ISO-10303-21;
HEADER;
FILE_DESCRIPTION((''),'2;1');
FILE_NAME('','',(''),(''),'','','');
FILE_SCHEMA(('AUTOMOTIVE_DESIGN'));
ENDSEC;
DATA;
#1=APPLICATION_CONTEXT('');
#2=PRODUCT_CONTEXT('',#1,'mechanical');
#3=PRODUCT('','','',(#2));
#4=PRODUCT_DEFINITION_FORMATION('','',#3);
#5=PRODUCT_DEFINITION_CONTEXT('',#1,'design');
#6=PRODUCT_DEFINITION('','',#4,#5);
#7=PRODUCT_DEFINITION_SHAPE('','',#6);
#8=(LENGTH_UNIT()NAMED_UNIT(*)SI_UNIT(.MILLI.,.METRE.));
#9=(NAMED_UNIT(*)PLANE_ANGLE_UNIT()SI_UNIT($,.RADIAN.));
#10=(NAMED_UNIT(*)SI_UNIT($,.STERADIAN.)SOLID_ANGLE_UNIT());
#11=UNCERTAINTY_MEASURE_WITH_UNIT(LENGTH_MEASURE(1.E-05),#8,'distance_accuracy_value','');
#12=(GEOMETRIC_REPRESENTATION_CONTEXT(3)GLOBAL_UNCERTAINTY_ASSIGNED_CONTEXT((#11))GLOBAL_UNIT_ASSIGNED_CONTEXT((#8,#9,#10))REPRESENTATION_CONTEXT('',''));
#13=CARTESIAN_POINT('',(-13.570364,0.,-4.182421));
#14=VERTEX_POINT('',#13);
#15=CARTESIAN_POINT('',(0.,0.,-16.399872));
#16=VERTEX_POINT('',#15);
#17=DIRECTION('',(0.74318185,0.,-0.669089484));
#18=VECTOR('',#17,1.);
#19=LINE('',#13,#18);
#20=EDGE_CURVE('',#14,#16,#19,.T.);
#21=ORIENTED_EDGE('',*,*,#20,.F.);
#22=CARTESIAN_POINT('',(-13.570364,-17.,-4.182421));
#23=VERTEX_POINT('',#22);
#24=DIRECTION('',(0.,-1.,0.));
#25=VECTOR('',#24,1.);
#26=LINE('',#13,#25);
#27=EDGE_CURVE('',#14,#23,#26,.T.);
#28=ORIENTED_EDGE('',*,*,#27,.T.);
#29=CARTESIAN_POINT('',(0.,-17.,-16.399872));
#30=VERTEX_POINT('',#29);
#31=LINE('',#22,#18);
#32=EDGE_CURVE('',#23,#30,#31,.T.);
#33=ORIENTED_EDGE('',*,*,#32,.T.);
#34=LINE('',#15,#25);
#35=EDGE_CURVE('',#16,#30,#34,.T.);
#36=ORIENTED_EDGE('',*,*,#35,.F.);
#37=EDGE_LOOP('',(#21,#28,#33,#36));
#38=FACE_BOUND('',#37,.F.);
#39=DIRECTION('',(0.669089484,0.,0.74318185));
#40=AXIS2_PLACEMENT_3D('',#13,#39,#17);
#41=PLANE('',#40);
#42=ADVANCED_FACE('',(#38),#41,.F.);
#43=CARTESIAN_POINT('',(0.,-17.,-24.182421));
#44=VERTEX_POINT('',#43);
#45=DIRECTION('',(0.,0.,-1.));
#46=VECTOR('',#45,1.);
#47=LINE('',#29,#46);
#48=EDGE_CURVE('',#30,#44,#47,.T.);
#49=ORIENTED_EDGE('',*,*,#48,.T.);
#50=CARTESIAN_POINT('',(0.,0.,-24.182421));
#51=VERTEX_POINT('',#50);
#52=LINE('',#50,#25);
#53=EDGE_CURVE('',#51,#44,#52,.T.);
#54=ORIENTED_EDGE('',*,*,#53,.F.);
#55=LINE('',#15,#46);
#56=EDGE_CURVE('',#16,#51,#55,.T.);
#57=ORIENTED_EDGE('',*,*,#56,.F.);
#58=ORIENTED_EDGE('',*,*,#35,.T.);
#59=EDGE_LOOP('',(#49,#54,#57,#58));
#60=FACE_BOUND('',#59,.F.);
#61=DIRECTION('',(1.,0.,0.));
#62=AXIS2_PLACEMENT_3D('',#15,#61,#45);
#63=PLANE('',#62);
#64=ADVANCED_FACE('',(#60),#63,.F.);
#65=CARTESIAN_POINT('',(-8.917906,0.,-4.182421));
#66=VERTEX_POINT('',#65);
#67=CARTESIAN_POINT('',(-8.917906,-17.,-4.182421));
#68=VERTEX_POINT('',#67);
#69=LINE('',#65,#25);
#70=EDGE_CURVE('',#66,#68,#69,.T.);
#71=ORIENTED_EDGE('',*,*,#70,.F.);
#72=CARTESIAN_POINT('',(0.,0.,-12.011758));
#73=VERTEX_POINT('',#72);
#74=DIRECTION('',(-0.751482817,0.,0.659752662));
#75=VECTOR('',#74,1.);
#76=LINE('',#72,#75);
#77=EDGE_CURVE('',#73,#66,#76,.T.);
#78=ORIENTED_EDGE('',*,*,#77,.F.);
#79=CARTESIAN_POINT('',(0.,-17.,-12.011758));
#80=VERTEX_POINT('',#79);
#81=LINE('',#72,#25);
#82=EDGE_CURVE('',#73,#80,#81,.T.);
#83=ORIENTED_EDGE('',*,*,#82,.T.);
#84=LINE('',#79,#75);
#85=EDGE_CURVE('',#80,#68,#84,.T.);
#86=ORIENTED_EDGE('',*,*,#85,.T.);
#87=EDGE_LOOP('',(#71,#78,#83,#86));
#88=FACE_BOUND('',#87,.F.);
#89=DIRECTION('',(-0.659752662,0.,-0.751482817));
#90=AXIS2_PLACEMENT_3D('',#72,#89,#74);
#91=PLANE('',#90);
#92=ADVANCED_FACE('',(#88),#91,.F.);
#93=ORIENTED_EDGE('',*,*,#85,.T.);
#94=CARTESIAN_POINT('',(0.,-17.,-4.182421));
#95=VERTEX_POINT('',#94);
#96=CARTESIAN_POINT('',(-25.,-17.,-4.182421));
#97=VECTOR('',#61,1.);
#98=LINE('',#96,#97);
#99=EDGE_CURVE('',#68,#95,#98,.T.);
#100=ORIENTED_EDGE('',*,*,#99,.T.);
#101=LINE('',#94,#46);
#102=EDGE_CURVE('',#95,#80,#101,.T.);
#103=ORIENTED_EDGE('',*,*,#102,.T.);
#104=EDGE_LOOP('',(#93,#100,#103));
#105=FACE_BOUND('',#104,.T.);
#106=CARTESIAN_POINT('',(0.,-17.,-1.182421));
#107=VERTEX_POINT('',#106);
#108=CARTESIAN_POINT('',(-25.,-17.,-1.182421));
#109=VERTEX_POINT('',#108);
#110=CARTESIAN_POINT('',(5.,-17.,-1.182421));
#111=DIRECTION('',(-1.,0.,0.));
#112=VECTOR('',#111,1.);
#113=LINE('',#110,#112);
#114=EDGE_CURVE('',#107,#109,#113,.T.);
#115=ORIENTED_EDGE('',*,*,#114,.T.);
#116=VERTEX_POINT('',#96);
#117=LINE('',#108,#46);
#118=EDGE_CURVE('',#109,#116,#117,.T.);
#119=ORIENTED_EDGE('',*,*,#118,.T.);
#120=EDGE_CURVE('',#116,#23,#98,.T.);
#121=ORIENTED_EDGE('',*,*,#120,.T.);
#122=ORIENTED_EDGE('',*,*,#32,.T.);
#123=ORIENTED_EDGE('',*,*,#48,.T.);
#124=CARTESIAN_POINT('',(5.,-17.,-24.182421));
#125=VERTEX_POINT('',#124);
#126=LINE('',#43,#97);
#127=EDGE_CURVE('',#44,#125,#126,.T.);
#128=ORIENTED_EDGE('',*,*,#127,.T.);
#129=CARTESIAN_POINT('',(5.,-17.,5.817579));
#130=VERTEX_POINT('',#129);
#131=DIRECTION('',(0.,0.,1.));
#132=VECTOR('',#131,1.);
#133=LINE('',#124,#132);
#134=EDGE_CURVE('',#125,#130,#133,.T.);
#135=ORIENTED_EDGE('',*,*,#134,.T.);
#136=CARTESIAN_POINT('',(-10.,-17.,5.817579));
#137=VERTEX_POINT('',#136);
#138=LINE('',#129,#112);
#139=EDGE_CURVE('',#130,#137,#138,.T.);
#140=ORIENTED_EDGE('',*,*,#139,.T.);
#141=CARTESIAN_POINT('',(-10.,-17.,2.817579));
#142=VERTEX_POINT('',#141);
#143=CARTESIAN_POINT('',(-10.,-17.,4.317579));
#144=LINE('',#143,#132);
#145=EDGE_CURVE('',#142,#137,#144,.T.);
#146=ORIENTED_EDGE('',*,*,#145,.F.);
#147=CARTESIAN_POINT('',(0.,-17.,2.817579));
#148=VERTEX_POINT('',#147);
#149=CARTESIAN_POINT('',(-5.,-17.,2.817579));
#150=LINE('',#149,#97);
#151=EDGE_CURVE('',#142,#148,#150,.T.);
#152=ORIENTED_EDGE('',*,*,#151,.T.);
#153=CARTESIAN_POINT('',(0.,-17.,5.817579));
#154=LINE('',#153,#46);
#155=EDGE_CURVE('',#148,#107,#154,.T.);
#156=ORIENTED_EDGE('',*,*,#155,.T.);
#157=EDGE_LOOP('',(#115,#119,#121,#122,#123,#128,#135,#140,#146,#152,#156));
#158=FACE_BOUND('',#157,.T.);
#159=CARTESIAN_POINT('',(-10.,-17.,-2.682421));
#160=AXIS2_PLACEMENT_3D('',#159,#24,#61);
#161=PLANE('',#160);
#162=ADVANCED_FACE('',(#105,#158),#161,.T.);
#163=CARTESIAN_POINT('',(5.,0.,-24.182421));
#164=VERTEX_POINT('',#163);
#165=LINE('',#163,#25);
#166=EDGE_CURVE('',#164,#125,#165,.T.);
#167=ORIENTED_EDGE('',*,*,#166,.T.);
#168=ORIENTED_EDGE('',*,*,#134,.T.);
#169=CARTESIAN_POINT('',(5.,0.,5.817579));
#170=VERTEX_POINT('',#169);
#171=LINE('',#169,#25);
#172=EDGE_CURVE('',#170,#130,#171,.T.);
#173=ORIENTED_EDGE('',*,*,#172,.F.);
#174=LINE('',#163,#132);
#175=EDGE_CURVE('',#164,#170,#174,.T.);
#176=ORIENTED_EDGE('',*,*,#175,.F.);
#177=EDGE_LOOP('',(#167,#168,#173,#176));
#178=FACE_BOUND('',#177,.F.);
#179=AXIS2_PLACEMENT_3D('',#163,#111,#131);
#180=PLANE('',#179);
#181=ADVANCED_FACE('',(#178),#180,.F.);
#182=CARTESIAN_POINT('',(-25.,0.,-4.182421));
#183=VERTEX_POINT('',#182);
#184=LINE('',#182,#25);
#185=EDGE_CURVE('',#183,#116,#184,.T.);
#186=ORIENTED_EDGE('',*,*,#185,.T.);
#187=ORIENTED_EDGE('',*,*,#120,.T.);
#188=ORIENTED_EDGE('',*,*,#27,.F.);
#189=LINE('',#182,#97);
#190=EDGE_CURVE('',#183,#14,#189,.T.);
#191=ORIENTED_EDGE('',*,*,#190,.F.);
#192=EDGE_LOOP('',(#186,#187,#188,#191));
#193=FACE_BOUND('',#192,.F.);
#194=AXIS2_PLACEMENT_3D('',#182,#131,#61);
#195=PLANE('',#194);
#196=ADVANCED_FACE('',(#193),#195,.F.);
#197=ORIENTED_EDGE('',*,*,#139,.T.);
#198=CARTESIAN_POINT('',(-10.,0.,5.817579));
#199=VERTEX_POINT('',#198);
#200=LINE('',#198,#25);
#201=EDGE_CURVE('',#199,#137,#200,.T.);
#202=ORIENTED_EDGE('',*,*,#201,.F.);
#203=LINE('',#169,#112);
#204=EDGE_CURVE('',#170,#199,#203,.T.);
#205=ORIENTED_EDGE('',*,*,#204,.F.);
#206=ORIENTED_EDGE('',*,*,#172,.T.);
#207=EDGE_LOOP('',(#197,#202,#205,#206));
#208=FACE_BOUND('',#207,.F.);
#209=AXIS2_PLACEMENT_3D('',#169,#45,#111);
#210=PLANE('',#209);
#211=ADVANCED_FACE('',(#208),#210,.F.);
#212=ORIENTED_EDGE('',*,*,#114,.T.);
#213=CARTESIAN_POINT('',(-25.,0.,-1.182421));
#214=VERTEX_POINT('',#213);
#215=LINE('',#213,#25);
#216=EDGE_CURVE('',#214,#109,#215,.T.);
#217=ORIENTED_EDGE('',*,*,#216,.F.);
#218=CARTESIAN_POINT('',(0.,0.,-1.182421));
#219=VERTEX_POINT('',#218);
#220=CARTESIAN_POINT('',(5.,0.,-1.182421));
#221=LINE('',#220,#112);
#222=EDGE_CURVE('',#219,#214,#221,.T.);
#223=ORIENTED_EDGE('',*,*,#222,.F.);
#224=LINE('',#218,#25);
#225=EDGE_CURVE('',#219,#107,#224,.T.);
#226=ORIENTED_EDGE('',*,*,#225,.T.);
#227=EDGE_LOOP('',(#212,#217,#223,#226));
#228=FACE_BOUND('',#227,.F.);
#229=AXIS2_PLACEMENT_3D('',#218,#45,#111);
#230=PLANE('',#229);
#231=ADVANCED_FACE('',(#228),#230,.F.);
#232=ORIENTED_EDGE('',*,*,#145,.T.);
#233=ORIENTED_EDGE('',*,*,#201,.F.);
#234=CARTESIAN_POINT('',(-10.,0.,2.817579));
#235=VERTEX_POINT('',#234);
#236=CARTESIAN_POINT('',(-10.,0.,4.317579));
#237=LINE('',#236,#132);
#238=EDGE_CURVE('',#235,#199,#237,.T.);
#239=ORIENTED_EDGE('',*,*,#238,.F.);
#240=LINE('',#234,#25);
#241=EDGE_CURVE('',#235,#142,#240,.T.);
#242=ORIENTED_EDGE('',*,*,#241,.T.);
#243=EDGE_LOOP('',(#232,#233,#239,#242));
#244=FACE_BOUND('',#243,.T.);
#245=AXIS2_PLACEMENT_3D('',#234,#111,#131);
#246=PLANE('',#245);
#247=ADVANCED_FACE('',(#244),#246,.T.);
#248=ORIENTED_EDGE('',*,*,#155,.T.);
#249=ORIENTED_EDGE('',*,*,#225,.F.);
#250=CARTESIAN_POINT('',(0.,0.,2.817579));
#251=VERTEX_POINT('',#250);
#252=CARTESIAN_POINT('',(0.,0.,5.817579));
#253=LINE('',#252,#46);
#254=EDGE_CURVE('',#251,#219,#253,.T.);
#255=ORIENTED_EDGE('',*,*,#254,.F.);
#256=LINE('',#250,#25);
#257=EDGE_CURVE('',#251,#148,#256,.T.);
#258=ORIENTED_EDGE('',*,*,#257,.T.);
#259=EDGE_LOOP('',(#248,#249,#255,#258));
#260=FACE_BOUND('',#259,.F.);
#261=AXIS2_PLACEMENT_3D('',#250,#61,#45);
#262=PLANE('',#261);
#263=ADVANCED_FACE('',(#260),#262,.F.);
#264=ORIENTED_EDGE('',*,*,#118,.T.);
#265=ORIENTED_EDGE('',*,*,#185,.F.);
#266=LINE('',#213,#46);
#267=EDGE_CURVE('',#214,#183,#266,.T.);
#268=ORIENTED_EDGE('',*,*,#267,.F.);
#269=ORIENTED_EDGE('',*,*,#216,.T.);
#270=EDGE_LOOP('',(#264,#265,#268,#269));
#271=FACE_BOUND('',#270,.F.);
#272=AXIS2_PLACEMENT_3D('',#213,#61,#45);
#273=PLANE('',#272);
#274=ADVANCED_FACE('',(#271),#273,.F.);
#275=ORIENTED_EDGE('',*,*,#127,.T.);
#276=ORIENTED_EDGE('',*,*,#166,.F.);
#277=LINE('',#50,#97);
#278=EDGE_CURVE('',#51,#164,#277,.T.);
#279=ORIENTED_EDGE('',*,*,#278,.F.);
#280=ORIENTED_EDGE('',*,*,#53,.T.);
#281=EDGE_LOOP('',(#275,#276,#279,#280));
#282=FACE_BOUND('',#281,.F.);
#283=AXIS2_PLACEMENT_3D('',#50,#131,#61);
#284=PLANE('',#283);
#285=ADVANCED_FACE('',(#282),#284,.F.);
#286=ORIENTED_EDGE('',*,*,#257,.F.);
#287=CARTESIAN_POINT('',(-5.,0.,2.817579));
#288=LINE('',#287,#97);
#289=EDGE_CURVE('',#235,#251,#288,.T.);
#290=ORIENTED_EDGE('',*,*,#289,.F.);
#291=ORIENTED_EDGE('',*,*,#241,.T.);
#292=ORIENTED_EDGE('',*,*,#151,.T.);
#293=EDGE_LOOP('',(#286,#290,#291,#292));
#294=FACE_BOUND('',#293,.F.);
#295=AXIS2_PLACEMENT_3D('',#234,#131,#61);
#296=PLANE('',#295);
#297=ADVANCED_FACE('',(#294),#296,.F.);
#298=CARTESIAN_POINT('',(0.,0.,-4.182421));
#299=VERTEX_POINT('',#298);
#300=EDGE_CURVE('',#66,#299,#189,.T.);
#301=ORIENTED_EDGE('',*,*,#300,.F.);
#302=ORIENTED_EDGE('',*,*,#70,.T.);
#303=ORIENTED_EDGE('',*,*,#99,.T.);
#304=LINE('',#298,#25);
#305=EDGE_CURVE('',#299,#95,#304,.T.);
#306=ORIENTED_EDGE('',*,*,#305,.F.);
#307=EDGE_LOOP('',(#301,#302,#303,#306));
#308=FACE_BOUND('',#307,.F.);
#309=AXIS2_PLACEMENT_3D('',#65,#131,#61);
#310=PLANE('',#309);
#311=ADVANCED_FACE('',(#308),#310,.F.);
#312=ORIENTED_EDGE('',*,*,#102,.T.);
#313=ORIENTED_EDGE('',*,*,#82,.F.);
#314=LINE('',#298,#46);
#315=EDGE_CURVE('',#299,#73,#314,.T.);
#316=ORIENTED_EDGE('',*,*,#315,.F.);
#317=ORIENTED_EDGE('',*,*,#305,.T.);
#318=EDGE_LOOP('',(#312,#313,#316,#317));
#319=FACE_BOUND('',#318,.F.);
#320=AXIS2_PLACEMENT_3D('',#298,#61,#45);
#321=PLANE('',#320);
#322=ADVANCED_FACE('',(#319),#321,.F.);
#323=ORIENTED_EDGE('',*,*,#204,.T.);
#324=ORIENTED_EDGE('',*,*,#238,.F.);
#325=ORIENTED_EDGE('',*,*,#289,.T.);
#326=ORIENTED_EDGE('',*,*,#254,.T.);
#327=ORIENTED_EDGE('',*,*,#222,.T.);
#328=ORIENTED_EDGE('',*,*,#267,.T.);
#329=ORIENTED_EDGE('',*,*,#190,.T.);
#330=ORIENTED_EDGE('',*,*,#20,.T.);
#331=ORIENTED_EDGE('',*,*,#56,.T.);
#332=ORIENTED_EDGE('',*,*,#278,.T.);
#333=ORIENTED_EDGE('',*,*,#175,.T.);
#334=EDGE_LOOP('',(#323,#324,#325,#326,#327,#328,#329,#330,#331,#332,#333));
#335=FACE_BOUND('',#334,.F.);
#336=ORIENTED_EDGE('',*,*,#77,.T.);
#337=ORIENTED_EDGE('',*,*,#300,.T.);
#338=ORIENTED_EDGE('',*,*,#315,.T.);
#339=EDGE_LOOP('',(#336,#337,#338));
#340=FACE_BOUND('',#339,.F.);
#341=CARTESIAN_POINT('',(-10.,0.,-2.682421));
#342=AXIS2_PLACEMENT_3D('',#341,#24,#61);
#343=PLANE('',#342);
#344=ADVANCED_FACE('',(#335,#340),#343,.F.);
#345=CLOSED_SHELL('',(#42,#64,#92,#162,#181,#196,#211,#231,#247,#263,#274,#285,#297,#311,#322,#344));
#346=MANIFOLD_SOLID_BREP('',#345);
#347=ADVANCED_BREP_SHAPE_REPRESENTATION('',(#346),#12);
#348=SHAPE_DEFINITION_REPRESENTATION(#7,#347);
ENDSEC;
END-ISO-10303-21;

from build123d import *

# Parameters (mm, degrees)
F0_W     = 10
F0_H     = 3
F1_DEPTH = 17


with BuildPart() as f1:
    # F0 (on Front) → F1 (new body)
    with BuildSketch(Plane.XZ):
        Polygon((5, -1.182421), (0, -1.182421), (-25, -1.182421), (-25, -4.182421), (-13.570364, -4.182421), (-8.917906, -4.182421), (0, -4.182421), (5, -4.182421), align=None)
        Polygon((-8.917906, -4.182421), (-13.570364, -4.182421), (0, -16.399872), (0, -12.011758), align=None)
        Polygon((5, -24.182421), (5, -4.182421), (0, -4.182421), (0, -12.011758), (0, -16.399872), (0, -24.182421), align=None)
        Polygon((5, 5.817579), (0, 5.817579), (0, 2.817579), (0, -1.182421), (5, -1.182421), align=None)
        with Locations((-5, 4.317579)):
            Rectangle(F0_W, F0_H)
    extrude(amount=F1_DEPTH)


solid = f1.part
